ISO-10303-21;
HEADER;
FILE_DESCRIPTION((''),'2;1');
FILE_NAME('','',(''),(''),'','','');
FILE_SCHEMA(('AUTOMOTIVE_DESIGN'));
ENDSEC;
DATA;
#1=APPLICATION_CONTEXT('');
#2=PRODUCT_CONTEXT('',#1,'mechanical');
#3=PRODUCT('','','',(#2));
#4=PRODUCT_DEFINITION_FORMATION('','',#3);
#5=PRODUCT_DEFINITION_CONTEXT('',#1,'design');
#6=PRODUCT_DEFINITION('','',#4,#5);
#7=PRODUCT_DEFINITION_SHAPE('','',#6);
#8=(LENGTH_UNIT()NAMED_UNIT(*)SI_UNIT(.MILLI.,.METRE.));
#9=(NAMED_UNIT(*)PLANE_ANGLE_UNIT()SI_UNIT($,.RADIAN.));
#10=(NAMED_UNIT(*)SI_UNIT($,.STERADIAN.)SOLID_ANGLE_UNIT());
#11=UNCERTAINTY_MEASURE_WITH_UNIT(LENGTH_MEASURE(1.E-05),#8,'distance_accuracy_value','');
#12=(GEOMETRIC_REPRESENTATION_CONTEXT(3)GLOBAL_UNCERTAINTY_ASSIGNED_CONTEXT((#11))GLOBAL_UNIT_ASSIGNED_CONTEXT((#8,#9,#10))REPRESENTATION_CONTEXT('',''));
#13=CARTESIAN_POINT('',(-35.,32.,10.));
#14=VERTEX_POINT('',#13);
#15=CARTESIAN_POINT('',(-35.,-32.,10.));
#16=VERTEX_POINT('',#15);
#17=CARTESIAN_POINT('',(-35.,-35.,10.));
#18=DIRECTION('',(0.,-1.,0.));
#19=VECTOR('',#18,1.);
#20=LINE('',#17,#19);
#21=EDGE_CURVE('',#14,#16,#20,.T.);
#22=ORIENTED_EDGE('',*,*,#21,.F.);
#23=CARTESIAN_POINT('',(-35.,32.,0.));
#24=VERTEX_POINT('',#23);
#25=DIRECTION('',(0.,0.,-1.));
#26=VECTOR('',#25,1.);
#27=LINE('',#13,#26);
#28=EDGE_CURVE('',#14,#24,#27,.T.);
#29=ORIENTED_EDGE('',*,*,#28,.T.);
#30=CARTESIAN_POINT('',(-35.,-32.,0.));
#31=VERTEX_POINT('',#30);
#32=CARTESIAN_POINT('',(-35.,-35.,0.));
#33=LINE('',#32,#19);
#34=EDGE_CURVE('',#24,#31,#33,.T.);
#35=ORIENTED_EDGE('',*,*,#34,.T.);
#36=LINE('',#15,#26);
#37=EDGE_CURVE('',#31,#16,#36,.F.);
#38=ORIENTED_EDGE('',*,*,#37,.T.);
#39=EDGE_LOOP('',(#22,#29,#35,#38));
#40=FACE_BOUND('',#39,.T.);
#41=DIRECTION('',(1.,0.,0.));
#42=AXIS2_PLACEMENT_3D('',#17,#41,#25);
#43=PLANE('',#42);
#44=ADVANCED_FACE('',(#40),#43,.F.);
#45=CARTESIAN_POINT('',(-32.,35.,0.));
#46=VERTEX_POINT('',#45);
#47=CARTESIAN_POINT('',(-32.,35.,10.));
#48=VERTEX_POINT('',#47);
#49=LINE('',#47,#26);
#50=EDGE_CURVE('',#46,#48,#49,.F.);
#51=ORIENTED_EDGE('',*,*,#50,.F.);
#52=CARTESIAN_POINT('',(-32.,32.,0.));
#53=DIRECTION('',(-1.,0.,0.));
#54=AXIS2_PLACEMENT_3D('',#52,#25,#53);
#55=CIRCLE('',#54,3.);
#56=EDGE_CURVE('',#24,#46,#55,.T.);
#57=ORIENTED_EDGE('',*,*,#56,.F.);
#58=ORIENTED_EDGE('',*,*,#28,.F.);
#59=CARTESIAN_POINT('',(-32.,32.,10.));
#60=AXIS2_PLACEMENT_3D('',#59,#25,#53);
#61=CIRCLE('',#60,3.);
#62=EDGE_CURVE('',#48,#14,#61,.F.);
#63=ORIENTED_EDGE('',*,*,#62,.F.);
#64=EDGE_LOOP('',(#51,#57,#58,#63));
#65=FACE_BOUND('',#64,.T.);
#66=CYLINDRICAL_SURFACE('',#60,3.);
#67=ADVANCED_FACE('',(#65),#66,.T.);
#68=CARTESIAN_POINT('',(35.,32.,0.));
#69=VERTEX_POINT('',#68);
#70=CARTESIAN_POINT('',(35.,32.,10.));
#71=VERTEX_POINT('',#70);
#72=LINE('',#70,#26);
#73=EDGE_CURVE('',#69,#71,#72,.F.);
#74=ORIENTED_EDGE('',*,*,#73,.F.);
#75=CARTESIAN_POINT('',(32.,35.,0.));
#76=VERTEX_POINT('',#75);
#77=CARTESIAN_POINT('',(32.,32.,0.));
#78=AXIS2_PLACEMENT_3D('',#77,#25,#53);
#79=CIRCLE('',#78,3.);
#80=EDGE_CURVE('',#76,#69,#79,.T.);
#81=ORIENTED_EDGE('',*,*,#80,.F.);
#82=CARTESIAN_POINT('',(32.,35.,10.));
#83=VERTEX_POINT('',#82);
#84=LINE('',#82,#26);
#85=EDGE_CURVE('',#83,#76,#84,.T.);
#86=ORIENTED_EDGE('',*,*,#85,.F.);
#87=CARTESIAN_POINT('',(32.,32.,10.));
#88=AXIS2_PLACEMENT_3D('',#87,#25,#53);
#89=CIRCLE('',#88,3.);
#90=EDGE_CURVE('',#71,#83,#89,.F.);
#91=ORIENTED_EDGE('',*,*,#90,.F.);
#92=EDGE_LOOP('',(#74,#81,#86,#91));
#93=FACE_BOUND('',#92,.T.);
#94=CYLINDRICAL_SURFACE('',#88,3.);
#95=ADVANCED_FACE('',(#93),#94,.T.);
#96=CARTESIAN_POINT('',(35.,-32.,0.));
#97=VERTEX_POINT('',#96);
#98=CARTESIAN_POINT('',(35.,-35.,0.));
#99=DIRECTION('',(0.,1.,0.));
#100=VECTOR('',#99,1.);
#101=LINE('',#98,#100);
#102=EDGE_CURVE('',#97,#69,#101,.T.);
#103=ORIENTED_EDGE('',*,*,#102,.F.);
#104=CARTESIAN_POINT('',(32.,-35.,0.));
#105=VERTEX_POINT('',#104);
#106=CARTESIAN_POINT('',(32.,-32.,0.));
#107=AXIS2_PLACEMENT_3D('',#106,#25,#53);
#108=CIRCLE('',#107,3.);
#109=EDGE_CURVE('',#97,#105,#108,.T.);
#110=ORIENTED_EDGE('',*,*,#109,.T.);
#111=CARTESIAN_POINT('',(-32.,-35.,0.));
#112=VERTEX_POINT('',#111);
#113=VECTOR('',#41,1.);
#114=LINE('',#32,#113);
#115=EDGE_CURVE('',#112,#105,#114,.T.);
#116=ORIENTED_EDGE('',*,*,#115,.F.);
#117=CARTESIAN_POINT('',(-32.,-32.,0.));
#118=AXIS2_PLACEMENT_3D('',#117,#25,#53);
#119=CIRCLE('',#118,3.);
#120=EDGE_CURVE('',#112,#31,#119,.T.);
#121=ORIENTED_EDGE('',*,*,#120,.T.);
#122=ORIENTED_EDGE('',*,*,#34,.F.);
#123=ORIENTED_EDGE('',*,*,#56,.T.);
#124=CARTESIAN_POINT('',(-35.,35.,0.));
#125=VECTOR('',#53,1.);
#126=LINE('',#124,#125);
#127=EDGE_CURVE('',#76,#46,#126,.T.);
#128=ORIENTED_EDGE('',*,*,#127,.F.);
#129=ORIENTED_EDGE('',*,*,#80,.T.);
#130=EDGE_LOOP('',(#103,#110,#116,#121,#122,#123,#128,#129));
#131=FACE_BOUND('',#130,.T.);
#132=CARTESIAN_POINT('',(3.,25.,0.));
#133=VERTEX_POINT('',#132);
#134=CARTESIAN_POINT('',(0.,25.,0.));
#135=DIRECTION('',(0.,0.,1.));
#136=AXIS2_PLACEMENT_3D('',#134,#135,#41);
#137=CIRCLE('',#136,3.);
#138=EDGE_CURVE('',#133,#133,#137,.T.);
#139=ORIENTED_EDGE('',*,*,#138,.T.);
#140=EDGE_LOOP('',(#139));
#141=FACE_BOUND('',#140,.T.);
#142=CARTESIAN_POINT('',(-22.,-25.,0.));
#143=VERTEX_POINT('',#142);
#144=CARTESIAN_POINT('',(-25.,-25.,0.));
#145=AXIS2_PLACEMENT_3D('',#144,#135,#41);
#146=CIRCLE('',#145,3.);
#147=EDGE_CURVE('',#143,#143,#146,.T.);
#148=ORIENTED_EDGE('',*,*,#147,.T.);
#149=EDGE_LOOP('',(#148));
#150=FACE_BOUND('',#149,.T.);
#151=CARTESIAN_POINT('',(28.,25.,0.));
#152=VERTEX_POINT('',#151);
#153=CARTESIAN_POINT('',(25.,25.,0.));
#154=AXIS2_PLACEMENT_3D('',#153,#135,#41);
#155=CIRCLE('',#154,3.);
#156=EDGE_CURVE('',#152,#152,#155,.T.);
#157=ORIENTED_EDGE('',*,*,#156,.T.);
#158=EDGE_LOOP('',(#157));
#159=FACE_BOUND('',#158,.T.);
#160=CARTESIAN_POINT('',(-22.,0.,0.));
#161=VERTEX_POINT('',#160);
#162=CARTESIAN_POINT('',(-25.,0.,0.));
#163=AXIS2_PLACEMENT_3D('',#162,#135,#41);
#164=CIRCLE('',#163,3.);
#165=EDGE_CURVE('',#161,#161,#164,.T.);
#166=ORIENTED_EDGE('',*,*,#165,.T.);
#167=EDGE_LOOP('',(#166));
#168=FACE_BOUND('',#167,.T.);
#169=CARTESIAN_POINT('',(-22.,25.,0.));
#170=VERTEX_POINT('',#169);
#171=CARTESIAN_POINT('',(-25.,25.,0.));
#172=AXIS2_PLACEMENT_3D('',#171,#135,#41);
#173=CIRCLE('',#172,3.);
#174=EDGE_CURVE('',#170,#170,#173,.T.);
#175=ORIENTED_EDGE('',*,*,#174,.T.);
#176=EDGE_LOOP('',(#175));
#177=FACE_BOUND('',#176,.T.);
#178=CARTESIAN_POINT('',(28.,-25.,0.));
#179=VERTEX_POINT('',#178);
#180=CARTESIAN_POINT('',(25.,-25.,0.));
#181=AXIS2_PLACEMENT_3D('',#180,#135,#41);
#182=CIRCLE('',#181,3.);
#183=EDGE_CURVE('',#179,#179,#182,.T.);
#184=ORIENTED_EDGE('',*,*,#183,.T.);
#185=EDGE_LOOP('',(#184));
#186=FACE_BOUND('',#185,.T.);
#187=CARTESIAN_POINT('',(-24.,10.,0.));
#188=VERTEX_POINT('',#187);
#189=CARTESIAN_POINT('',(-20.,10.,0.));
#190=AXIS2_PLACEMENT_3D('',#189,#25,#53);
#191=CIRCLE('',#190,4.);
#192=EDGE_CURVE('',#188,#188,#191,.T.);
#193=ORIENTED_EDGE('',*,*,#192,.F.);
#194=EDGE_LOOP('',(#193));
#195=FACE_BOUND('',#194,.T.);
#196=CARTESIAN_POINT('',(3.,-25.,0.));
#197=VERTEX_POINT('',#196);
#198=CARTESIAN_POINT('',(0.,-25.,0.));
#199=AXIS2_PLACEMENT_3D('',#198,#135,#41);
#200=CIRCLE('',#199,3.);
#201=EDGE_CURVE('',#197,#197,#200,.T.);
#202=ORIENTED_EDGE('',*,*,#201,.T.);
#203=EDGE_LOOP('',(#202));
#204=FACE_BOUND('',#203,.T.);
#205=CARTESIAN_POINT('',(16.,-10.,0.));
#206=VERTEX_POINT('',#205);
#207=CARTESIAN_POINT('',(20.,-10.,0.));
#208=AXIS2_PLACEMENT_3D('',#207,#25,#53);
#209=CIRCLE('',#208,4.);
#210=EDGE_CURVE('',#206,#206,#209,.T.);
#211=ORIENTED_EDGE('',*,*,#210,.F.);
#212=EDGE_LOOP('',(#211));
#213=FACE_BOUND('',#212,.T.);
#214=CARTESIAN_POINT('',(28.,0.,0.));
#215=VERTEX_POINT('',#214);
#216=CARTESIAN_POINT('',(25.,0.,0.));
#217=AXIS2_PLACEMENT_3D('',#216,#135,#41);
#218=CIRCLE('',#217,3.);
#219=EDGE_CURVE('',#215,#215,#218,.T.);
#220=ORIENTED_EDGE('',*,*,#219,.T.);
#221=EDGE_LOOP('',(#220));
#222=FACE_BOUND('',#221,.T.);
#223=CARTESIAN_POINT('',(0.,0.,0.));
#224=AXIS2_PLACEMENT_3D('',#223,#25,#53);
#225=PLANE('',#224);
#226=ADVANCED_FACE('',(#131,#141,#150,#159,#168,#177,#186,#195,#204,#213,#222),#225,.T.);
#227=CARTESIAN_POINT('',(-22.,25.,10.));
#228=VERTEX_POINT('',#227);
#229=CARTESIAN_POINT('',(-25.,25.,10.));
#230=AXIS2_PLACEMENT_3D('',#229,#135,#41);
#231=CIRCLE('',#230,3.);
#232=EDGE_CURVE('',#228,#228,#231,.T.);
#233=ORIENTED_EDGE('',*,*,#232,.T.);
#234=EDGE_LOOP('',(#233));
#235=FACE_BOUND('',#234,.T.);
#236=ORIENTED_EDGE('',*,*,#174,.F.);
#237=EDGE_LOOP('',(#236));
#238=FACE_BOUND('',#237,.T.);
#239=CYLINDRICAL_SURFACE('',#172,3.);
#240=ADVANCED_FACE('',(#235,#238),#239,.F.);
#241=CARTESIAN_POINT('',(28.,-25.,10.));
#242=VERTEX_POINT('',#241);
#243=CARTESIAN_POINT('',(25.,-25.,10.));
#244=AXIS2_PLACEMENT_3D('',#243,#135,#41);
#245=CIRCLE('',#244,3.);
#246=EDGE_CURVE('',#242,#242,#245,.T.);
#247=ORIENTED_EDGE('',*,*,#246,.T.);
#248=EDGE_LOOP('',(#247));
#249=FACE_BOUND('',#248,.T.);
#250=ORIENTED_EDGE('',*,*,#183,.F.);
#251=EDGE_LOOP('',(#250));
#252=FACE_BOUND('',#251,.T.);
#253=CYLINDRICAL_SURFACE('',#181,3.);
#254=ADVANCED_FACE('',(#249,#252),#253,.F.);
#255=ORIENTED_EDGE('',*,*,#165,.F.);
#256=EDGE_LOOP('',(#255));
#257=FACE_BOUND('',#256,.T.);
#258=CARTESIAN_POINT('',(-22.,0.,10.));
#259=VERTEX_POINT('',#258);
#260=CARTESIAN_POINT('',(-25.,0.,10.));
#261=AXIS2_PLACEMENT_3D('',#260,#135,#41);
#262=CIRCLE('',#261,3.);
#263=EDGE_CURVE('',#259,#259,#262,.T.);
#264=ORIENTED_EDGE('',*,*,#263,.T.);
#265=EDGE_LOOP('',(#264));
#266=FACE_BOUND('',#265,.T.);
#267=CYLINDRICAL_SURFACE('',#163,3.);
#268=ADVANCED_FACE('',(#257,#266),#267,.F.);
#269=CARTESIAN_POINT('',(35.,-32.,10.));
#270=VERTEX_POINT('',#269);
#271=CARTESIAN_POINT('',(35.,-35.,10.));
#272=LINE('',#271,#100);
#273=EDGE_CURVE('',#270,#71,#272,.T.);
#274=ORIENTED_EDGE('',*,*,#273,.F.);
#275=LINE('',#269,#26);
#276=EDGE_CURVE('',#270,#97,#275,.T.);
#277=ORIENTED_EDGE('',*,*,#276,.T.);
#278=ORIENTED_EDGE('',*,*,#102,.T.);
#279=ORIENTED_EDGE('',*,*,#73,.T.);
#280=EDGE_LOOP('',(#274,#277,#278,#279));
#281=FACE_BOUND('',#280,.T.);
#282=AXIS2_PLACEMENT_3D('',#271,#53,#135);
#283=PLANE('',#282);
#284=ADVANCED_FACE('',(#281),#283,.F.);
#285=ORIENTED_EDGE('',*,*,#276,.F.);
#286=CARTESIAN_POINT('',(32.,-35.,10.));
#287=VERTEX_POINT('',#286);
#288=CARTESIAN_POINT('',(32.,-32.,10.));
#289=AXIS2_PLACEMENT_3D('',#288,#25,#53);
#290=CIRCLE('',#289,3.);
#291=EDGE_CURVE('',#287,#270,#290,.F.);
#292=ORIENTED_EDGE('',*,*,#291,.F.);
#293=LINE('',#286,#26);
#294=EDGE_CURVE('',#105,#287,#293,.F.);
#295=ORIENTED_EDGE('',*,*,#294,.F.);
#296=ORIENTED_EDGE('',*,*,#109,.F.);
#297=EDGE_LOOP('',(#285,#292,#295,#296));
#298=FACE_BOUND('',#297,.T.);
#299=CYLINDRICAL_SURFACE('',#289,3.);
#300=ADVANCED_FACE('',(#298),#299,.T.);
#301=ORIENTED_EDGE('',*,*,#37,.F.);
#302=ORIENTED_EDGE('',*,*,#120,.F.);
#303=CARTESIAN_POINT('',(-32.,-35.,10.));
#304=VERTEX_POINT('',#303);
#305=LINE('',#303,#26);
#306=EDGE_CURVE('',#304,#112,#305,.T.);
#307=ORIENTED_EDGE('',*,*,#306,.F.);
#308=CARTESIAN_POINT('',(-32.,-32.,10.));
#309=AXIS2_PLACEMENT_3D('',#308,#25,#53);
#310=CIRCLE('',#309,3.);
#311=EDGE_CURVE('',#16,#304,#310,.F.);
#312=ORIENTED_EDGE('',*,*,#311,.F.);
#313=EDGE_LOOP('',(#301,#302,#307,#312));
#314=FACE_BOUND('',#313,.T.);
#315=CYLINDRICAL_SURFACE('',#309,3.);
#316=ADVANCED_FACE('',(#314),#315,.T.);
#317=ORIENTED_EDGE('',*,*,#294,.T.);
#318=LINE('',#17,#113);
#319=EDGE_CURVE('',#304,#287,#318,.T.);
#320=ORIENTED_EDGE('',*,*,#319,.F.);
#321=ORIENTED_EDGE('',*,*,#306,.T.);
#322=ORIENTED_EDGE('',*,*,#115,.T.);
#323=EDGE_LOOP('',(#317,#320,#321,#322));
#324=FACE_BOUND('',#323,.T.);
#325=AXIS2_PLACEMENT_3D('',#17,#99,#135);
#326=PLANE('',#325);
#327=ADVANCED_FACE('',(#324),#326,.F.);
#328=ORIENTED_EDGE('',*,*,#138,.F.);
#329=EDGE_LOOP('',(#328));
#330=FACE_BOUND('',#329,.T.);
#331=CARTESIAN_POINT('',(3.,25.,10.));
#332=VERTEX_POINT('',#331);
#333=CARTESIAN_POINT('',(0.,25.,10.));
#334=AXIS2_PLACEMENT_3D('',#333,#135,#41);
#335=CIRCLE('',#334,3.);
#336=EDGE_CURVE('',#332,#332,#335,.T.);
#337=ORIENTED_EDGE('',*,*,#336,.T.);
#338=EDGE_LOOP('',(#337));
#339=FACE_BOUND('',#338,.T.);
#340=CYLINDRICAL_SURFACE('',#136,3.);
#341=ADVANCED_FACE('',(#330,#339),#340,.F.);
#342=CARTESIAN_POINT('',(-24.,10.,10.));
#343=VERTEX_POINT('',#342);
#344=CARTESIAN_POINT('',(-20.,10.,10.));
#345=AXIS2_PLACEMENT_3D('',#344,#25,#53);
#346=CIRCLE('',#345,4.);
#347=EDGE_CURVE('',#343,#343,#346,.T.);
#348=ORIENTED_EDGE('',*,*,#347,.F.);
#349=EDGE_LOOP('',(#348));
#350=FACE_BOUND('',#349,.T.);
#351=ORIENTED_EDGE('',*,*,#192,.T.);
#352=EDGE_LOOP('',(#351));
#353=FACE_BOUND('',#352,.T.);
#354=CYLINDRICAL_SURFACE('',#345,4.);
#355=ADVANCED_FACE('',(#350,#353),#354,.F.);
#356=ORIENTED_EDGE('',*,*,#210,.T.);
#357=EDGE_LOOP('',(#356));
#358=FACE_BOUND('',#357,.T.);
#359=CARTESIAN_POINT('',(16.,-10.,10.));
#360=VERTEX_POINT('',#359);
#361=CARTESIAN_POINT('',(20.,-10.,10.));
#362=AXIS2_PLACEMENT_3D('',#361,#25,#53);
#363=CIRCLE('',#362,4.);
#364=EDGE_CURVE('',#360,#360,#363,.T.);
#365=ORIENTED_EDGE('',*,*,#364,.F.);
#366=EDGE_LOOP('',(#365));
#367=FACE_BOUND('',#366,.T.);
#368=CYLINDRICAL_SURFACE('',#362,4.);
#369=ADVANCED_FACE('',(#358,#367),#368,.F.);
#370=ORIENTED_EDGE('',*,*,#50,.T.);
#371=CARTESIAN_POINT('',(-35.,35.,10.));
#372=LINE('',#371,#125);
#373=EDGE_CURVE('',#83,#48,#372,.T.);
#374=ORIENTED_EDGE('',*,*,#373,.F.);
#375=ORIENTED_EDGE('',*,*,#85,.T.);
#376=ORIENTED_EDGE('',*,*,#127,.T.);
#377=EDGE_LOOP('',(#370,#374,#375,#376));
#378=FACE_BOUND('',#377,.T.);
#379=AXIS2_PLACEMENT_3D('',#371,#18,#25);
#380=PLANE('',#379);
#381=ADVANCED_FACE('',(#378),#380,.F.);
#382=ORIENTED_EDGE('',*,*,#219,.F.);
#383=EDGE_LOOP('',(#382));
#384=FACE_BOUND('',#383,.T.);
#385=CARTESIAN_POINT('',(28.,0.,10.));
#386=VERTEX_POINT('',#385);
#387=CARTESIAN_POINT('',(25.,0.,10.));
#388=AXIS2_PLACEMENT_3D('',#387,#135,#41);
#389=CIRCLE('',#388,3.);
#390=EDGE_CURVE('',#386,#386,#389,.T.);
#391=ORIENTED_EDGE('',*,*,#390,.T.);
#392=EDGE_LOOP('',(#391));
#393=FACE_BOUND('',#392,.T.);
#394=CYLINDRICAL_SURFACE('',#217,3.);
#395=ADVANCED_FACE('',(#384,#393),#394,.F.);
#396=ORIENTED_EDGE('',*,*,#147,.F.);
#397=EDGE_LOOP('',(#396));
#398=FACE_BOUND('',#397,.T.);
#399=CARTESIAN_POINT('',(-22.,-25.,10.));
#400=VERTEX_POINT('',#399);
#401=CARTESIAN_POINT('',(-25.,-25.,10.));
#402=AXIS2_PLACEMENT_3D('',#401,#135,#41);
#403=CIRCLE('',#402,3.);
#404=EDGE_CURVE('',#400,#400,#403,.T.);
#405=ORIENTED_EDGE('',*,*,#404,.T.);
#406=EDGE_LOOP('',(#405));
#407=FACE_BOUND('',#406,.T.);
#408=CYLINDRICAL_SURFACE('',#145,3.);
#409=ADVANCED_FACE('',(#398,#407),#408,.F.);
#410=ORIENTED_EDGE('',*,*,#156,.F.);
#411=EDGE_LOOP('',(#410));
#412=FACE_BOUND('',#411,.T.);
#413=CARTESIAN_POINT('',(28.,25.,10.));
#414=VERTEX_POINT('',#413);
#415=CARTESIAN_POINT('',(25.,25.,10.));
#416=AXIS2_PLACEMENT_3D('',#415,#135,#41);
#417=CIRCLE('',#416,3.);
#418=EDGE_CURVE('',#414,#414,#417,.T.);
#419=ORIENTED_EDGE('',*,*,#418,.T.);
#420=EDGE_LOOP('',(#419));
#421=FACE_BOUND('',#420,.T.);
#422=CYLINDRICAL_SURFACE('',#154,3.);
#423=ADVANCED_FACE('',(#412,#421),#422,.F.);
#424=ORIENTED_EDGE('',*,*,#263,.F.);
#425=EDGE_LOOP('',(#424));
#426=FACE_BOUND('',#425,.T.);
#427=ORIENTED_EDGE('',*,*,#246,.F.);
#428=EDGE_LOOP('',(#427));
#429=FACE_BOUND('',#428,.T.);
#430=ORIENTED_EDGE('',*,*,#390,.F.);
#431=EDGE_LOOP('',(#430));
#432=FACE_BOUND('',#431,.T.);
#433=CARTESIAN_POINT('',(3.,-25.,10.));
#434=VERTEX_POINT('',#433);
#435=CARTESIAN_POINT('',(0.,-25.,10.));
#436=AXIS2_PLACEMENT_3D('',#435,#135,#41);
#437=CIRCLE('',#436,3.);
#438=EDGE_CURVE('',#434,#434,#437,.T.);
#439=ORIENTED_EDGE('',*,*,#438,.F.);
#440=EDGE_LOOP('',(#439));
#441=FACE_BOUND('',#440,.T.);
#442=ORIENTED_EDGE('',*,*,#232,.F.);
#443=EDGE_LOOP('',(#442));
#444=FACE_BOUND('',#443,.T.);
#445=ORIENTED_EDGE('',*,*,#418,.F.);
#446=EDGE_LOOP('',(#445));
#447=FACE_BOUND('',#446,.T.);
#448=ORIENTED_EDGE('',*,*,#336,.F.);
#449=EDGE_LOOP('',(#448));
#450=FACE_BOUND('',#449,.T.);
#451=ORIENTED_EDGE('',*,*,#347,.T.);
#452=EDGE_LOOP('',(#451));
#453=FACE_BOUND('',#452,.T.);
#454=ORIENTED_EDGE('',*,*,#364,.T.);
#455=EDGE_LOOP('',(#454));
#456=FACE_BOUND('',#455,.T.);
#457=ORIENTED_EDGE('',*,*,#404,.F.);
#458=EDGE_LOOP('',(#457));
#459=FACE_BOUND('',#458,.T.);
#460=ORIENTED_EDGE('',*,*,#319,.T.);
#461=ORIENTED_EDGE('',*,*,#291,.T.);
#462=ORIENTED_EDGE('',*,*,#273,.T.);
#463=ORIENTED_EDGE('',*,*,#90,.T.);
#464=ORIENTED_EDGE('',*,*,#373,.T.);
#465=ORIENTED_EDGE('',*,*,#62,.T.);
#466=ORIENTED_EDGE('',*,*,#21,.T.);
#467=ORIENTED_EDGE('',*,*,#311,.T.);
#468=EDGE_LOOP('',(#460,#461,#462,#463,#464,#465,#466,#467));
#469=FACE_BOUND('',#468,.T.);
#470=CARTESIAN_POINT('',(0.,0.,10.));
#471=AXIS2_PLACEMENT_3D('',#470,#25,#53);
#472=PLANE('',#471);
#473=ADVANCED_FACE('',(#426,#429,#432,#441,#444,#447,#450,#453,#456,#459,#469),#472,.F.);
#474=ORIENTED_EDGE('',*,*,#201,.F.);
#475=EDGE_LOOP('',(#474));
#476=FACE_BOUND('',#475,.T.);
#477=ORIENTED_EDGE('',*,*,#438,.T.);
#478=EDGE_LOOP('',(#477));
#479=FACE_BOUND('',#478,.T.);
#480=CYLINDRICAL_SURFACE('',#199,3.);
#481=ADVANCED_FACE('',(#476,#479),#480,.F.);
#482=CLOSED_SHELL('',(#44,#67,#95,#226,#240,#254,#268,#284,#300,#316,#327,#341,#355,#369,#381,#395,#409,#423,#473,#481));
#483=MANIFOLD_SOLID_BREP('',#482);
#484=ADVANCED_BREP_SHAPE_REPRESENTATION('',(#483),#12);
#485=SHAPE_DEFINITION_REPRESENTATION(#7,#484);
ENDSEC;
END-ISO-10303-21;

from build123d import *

# Parameters (mm, degrees)
SKETCH1_W           = 70
SKETCH1_H           = 70
BOSS_EXTRUDE1_DEPTH = 10
SKETCH2_R           = 3
CUT_EXTRUDE1_DEPTH  = 10
FILLET1_R           = 3
SKETCH3_R           = 4
CUT_EXTRUDE2_DEPTH  = 10


with BuildPart() as part:
    # Sketch1 → Boss-Extrude1 (new body)
    with BuildSketch(Plane.XY):
        Rectangle(SKETCH1_W, SKETCH1_H)
    extrude(amount=BOSS_EXTRUDE1_DEPTH)

    # Sketch2 → Cut-Extrude1 (cut)
    with BuildSketch(Plane.XY.offset(10)):
        with Locations((0, 25)):
            Circle(SKETCH2_R)
        with Locations((25, 25)):
            Circle(SKETCH2_R)
        with Locations((25, 0)):
            Circle(SKETCH2_R)
        with Locations((-25, 0)):
            Circle(SKETCH2_R)
        with Locations((-25, 25)):
            Circle(SKETCH2_R)
        with Locations((-25, -25)):
            Circle(SKETCH2_R)
        with Locations((0, -25)):
            Circle(SKETCH2_R)
        with Locations((25, -25)):
            Circle(SKETCH2_R)
    extrude(amount=-CUT_EXTRUDE1_DEPTH, mode=Mode.SUBTRACT)

    # Fillet1
    fillet1_edges = [part.edges().sort_by_distance(p)[0] for p in [
        (35, -35, 5),
        (-35, -35, 5),
        (-35, 35, 5),
        (35, 35, 5),
    ]]
    fillet(fillet1_edges, radius=FILLET1_R)

    # Sketch3 → Cut-Extrude2 (cut)
    with BuildSketch(Plane(origin=(0, 0, 0), x_dir=(-1, 0, 0), z_dir=(0, 0, -1))):
        with Locations((20, 10)):
            Circle(SKETCH3_R)
        with Locations((-20, -10)):
            Circle(SKETCH3_R)
    extrude(amount=-CUT_EXTRUDE2_DEPTH, mode=Mode.SUBTRACT)


solid = part.part
